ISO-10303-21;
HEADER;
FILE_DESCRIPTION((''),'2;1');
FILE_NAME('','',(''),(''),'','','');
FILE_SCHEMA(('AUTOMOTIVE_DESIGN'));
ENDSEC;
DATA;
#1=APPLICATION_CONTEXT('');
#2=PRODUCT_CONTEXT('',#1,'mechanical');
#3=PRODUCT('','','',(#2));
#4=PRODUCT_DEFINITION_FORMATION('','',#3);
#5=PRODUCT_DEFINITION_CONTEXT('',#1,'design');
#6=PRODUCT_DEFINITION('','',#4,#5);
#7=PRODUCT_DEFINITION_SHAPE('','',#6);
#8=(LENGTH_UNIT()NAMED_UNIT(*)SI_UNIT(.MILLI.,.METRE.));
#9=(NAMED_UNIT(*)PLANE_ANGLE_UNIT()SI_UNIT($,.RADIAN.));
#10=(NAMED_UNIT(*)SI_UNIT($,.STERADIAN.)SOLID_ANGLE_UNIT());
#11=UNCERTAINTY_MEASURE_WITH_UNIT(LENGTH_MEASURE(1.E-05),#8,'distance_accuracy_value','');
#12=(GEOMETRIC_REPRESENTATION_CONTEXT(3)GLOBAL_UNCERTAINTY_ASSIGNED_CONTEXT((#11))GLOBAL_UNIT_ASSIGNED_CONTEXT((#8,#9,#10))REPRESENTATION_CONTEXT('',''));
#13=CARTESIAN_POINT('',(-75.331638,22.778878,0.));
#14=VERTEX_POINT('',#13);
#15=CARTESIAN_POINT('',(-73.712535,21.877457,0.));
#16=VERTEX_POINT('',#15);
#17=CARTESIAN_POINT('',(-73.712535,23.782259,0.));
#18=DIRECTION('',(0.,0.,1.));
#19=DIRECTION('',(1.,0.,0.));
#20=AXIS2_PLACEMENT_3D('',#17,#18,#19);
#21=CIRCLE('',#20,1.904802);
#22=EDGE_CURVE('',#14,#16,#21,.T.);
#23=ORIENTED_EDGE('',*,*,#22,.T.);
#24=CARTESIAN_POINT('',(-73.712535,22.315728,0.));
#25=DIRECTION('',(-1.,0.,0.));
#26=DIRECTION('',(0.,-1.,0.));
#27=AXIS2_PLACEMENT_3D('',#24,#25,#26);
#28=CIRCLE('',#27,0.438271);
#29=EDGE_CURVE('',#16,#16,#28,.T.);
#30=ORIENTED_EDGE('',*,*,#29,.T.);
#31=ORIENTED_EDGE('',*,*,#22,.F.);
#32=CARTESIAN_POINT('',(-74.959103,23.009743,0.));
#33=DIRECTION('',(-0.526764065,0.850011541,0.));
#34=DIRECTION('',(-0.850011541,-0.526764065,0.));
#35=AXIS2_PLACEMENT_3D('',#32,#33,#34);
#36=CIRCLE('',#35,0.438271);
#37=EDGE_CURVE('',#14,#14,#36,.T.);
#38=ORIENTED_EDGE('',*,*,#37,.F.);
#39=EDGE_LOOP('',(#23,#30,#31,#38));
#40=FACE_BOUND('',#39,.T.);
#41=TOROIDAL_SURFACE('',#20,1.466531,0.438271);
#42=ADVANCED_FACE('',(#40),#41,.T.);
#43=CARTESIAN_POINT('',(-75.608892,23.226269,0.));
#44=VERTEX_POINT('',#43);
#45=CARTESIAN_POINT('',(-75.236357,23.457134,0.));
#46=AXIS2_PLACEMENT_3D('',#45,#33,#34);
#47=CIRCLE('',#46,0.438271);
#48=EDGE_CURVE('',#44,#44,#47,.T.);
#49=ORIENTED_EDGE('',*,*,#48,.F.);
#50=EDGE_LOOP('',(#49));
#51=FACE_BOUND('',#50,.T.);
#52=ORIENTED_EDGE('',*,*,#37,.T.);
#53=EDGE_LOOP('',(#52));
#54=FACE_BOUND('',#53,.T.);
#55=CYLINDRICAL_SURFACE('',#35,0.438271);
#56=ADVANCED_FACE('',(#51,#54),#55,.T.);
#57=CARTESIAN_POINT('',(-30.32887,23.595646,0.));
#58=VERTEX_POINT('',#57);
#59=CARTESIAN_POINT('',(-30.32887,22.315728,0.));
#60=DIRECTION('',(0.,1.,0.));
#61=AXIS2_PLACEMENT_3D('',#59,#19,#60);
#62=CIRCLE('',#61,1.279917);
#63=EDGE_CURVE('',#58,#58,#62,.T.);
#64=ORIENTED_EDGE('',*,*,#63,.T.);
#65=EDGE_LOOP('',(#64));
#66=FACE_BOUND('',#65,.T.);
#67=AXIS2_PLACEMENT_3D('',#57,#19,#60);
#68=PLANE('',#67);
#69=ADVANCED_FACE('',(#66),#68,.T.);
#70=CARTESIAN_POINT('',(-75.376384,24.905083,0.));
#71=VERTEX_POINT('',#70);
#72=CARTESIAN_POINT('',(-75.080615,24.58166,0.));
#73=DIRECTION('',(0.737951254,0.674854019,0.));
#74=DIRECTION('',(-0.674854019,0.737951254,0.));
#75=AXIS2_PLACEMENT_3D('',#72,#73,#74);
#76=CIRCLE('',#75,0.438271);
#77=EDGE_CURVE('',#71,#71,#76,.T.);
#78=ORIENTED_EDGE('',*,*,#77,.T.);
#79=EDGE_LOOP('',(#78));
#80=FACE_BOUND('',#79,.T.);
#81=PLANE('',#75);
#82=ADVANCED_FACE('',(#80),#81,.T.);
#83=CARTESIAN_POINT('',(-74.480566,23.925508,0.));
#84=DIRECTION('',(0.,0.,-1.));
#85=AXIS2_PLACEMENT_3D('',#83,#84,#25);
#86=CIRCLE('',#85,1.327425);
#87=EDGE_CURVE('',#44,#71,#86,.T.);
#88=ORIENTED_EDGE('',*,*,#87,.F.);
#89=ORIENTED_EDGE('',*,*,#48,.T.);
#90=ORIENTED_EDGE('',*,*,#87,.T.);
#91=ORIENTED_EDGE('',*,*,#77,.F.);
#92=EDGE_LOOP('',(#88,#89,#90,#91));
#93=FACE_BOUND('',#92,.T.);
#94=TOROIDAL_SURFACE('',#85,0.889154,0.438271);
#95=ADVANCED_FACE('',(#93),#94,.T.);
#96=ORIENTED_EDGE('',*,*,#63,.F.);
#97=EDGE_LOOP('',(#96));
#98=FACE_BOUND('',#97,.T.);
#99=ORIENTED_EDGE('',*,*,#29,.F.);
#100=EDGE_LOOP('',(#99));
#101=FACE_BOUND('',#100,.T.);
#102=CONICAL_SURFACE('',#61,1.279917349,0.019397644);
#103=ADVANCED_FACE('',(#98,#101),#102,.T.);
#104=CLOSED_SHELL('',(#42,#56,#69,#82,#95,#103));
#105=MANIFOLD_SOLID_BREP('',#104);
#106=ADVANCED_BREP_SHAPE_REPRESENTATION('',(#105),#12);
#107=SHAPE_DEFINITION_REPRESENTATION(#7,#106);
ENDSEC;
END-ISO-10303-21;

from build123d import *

# Parameters (mm, degrees)
SKETCH9_R = 0.438270911


with BuildPart() as part:
    # Sketch8 → Revolve1 (revolve)
    with BuildSketch(Plane.XY):
        Polygon((-30.328870103, 22.315728281), (-73.712534729, 22.315728281), (-73.712534729, 22.753999191), (-30.328870103, 23.59564563), align=None)
    revolve(axis=Axis((-30.328870103, 22.315728281, 0), (-1, 0, 0)))

    # Sweep1: sweep along a path in Sketch1
    with BuildLine(Plane.XY) as sweep1_path:
        ThreePointArc((-73.712534729, 22.315728281), (-74.42590498, 22.500925633), (-74.95910268, 23.009743269))
        Line((-74.95910268, 23.009743269), (-75.236356936, 23.457133918))
        ThreePointArc((-75.236356936, 23.457133918), (-75.361313032, 24.047487738), (-75.080614975, 24.581660239))
    # Sketch9 → Sweep1 (sweep)
    with BuildSketch(Plane.ZY.offset(73.712534729)):
        with Locations((0, 22.315728281)):
            Circle(SKETCH9_R)
    sweep(path=sweep1_path.line)


solid = part.part
